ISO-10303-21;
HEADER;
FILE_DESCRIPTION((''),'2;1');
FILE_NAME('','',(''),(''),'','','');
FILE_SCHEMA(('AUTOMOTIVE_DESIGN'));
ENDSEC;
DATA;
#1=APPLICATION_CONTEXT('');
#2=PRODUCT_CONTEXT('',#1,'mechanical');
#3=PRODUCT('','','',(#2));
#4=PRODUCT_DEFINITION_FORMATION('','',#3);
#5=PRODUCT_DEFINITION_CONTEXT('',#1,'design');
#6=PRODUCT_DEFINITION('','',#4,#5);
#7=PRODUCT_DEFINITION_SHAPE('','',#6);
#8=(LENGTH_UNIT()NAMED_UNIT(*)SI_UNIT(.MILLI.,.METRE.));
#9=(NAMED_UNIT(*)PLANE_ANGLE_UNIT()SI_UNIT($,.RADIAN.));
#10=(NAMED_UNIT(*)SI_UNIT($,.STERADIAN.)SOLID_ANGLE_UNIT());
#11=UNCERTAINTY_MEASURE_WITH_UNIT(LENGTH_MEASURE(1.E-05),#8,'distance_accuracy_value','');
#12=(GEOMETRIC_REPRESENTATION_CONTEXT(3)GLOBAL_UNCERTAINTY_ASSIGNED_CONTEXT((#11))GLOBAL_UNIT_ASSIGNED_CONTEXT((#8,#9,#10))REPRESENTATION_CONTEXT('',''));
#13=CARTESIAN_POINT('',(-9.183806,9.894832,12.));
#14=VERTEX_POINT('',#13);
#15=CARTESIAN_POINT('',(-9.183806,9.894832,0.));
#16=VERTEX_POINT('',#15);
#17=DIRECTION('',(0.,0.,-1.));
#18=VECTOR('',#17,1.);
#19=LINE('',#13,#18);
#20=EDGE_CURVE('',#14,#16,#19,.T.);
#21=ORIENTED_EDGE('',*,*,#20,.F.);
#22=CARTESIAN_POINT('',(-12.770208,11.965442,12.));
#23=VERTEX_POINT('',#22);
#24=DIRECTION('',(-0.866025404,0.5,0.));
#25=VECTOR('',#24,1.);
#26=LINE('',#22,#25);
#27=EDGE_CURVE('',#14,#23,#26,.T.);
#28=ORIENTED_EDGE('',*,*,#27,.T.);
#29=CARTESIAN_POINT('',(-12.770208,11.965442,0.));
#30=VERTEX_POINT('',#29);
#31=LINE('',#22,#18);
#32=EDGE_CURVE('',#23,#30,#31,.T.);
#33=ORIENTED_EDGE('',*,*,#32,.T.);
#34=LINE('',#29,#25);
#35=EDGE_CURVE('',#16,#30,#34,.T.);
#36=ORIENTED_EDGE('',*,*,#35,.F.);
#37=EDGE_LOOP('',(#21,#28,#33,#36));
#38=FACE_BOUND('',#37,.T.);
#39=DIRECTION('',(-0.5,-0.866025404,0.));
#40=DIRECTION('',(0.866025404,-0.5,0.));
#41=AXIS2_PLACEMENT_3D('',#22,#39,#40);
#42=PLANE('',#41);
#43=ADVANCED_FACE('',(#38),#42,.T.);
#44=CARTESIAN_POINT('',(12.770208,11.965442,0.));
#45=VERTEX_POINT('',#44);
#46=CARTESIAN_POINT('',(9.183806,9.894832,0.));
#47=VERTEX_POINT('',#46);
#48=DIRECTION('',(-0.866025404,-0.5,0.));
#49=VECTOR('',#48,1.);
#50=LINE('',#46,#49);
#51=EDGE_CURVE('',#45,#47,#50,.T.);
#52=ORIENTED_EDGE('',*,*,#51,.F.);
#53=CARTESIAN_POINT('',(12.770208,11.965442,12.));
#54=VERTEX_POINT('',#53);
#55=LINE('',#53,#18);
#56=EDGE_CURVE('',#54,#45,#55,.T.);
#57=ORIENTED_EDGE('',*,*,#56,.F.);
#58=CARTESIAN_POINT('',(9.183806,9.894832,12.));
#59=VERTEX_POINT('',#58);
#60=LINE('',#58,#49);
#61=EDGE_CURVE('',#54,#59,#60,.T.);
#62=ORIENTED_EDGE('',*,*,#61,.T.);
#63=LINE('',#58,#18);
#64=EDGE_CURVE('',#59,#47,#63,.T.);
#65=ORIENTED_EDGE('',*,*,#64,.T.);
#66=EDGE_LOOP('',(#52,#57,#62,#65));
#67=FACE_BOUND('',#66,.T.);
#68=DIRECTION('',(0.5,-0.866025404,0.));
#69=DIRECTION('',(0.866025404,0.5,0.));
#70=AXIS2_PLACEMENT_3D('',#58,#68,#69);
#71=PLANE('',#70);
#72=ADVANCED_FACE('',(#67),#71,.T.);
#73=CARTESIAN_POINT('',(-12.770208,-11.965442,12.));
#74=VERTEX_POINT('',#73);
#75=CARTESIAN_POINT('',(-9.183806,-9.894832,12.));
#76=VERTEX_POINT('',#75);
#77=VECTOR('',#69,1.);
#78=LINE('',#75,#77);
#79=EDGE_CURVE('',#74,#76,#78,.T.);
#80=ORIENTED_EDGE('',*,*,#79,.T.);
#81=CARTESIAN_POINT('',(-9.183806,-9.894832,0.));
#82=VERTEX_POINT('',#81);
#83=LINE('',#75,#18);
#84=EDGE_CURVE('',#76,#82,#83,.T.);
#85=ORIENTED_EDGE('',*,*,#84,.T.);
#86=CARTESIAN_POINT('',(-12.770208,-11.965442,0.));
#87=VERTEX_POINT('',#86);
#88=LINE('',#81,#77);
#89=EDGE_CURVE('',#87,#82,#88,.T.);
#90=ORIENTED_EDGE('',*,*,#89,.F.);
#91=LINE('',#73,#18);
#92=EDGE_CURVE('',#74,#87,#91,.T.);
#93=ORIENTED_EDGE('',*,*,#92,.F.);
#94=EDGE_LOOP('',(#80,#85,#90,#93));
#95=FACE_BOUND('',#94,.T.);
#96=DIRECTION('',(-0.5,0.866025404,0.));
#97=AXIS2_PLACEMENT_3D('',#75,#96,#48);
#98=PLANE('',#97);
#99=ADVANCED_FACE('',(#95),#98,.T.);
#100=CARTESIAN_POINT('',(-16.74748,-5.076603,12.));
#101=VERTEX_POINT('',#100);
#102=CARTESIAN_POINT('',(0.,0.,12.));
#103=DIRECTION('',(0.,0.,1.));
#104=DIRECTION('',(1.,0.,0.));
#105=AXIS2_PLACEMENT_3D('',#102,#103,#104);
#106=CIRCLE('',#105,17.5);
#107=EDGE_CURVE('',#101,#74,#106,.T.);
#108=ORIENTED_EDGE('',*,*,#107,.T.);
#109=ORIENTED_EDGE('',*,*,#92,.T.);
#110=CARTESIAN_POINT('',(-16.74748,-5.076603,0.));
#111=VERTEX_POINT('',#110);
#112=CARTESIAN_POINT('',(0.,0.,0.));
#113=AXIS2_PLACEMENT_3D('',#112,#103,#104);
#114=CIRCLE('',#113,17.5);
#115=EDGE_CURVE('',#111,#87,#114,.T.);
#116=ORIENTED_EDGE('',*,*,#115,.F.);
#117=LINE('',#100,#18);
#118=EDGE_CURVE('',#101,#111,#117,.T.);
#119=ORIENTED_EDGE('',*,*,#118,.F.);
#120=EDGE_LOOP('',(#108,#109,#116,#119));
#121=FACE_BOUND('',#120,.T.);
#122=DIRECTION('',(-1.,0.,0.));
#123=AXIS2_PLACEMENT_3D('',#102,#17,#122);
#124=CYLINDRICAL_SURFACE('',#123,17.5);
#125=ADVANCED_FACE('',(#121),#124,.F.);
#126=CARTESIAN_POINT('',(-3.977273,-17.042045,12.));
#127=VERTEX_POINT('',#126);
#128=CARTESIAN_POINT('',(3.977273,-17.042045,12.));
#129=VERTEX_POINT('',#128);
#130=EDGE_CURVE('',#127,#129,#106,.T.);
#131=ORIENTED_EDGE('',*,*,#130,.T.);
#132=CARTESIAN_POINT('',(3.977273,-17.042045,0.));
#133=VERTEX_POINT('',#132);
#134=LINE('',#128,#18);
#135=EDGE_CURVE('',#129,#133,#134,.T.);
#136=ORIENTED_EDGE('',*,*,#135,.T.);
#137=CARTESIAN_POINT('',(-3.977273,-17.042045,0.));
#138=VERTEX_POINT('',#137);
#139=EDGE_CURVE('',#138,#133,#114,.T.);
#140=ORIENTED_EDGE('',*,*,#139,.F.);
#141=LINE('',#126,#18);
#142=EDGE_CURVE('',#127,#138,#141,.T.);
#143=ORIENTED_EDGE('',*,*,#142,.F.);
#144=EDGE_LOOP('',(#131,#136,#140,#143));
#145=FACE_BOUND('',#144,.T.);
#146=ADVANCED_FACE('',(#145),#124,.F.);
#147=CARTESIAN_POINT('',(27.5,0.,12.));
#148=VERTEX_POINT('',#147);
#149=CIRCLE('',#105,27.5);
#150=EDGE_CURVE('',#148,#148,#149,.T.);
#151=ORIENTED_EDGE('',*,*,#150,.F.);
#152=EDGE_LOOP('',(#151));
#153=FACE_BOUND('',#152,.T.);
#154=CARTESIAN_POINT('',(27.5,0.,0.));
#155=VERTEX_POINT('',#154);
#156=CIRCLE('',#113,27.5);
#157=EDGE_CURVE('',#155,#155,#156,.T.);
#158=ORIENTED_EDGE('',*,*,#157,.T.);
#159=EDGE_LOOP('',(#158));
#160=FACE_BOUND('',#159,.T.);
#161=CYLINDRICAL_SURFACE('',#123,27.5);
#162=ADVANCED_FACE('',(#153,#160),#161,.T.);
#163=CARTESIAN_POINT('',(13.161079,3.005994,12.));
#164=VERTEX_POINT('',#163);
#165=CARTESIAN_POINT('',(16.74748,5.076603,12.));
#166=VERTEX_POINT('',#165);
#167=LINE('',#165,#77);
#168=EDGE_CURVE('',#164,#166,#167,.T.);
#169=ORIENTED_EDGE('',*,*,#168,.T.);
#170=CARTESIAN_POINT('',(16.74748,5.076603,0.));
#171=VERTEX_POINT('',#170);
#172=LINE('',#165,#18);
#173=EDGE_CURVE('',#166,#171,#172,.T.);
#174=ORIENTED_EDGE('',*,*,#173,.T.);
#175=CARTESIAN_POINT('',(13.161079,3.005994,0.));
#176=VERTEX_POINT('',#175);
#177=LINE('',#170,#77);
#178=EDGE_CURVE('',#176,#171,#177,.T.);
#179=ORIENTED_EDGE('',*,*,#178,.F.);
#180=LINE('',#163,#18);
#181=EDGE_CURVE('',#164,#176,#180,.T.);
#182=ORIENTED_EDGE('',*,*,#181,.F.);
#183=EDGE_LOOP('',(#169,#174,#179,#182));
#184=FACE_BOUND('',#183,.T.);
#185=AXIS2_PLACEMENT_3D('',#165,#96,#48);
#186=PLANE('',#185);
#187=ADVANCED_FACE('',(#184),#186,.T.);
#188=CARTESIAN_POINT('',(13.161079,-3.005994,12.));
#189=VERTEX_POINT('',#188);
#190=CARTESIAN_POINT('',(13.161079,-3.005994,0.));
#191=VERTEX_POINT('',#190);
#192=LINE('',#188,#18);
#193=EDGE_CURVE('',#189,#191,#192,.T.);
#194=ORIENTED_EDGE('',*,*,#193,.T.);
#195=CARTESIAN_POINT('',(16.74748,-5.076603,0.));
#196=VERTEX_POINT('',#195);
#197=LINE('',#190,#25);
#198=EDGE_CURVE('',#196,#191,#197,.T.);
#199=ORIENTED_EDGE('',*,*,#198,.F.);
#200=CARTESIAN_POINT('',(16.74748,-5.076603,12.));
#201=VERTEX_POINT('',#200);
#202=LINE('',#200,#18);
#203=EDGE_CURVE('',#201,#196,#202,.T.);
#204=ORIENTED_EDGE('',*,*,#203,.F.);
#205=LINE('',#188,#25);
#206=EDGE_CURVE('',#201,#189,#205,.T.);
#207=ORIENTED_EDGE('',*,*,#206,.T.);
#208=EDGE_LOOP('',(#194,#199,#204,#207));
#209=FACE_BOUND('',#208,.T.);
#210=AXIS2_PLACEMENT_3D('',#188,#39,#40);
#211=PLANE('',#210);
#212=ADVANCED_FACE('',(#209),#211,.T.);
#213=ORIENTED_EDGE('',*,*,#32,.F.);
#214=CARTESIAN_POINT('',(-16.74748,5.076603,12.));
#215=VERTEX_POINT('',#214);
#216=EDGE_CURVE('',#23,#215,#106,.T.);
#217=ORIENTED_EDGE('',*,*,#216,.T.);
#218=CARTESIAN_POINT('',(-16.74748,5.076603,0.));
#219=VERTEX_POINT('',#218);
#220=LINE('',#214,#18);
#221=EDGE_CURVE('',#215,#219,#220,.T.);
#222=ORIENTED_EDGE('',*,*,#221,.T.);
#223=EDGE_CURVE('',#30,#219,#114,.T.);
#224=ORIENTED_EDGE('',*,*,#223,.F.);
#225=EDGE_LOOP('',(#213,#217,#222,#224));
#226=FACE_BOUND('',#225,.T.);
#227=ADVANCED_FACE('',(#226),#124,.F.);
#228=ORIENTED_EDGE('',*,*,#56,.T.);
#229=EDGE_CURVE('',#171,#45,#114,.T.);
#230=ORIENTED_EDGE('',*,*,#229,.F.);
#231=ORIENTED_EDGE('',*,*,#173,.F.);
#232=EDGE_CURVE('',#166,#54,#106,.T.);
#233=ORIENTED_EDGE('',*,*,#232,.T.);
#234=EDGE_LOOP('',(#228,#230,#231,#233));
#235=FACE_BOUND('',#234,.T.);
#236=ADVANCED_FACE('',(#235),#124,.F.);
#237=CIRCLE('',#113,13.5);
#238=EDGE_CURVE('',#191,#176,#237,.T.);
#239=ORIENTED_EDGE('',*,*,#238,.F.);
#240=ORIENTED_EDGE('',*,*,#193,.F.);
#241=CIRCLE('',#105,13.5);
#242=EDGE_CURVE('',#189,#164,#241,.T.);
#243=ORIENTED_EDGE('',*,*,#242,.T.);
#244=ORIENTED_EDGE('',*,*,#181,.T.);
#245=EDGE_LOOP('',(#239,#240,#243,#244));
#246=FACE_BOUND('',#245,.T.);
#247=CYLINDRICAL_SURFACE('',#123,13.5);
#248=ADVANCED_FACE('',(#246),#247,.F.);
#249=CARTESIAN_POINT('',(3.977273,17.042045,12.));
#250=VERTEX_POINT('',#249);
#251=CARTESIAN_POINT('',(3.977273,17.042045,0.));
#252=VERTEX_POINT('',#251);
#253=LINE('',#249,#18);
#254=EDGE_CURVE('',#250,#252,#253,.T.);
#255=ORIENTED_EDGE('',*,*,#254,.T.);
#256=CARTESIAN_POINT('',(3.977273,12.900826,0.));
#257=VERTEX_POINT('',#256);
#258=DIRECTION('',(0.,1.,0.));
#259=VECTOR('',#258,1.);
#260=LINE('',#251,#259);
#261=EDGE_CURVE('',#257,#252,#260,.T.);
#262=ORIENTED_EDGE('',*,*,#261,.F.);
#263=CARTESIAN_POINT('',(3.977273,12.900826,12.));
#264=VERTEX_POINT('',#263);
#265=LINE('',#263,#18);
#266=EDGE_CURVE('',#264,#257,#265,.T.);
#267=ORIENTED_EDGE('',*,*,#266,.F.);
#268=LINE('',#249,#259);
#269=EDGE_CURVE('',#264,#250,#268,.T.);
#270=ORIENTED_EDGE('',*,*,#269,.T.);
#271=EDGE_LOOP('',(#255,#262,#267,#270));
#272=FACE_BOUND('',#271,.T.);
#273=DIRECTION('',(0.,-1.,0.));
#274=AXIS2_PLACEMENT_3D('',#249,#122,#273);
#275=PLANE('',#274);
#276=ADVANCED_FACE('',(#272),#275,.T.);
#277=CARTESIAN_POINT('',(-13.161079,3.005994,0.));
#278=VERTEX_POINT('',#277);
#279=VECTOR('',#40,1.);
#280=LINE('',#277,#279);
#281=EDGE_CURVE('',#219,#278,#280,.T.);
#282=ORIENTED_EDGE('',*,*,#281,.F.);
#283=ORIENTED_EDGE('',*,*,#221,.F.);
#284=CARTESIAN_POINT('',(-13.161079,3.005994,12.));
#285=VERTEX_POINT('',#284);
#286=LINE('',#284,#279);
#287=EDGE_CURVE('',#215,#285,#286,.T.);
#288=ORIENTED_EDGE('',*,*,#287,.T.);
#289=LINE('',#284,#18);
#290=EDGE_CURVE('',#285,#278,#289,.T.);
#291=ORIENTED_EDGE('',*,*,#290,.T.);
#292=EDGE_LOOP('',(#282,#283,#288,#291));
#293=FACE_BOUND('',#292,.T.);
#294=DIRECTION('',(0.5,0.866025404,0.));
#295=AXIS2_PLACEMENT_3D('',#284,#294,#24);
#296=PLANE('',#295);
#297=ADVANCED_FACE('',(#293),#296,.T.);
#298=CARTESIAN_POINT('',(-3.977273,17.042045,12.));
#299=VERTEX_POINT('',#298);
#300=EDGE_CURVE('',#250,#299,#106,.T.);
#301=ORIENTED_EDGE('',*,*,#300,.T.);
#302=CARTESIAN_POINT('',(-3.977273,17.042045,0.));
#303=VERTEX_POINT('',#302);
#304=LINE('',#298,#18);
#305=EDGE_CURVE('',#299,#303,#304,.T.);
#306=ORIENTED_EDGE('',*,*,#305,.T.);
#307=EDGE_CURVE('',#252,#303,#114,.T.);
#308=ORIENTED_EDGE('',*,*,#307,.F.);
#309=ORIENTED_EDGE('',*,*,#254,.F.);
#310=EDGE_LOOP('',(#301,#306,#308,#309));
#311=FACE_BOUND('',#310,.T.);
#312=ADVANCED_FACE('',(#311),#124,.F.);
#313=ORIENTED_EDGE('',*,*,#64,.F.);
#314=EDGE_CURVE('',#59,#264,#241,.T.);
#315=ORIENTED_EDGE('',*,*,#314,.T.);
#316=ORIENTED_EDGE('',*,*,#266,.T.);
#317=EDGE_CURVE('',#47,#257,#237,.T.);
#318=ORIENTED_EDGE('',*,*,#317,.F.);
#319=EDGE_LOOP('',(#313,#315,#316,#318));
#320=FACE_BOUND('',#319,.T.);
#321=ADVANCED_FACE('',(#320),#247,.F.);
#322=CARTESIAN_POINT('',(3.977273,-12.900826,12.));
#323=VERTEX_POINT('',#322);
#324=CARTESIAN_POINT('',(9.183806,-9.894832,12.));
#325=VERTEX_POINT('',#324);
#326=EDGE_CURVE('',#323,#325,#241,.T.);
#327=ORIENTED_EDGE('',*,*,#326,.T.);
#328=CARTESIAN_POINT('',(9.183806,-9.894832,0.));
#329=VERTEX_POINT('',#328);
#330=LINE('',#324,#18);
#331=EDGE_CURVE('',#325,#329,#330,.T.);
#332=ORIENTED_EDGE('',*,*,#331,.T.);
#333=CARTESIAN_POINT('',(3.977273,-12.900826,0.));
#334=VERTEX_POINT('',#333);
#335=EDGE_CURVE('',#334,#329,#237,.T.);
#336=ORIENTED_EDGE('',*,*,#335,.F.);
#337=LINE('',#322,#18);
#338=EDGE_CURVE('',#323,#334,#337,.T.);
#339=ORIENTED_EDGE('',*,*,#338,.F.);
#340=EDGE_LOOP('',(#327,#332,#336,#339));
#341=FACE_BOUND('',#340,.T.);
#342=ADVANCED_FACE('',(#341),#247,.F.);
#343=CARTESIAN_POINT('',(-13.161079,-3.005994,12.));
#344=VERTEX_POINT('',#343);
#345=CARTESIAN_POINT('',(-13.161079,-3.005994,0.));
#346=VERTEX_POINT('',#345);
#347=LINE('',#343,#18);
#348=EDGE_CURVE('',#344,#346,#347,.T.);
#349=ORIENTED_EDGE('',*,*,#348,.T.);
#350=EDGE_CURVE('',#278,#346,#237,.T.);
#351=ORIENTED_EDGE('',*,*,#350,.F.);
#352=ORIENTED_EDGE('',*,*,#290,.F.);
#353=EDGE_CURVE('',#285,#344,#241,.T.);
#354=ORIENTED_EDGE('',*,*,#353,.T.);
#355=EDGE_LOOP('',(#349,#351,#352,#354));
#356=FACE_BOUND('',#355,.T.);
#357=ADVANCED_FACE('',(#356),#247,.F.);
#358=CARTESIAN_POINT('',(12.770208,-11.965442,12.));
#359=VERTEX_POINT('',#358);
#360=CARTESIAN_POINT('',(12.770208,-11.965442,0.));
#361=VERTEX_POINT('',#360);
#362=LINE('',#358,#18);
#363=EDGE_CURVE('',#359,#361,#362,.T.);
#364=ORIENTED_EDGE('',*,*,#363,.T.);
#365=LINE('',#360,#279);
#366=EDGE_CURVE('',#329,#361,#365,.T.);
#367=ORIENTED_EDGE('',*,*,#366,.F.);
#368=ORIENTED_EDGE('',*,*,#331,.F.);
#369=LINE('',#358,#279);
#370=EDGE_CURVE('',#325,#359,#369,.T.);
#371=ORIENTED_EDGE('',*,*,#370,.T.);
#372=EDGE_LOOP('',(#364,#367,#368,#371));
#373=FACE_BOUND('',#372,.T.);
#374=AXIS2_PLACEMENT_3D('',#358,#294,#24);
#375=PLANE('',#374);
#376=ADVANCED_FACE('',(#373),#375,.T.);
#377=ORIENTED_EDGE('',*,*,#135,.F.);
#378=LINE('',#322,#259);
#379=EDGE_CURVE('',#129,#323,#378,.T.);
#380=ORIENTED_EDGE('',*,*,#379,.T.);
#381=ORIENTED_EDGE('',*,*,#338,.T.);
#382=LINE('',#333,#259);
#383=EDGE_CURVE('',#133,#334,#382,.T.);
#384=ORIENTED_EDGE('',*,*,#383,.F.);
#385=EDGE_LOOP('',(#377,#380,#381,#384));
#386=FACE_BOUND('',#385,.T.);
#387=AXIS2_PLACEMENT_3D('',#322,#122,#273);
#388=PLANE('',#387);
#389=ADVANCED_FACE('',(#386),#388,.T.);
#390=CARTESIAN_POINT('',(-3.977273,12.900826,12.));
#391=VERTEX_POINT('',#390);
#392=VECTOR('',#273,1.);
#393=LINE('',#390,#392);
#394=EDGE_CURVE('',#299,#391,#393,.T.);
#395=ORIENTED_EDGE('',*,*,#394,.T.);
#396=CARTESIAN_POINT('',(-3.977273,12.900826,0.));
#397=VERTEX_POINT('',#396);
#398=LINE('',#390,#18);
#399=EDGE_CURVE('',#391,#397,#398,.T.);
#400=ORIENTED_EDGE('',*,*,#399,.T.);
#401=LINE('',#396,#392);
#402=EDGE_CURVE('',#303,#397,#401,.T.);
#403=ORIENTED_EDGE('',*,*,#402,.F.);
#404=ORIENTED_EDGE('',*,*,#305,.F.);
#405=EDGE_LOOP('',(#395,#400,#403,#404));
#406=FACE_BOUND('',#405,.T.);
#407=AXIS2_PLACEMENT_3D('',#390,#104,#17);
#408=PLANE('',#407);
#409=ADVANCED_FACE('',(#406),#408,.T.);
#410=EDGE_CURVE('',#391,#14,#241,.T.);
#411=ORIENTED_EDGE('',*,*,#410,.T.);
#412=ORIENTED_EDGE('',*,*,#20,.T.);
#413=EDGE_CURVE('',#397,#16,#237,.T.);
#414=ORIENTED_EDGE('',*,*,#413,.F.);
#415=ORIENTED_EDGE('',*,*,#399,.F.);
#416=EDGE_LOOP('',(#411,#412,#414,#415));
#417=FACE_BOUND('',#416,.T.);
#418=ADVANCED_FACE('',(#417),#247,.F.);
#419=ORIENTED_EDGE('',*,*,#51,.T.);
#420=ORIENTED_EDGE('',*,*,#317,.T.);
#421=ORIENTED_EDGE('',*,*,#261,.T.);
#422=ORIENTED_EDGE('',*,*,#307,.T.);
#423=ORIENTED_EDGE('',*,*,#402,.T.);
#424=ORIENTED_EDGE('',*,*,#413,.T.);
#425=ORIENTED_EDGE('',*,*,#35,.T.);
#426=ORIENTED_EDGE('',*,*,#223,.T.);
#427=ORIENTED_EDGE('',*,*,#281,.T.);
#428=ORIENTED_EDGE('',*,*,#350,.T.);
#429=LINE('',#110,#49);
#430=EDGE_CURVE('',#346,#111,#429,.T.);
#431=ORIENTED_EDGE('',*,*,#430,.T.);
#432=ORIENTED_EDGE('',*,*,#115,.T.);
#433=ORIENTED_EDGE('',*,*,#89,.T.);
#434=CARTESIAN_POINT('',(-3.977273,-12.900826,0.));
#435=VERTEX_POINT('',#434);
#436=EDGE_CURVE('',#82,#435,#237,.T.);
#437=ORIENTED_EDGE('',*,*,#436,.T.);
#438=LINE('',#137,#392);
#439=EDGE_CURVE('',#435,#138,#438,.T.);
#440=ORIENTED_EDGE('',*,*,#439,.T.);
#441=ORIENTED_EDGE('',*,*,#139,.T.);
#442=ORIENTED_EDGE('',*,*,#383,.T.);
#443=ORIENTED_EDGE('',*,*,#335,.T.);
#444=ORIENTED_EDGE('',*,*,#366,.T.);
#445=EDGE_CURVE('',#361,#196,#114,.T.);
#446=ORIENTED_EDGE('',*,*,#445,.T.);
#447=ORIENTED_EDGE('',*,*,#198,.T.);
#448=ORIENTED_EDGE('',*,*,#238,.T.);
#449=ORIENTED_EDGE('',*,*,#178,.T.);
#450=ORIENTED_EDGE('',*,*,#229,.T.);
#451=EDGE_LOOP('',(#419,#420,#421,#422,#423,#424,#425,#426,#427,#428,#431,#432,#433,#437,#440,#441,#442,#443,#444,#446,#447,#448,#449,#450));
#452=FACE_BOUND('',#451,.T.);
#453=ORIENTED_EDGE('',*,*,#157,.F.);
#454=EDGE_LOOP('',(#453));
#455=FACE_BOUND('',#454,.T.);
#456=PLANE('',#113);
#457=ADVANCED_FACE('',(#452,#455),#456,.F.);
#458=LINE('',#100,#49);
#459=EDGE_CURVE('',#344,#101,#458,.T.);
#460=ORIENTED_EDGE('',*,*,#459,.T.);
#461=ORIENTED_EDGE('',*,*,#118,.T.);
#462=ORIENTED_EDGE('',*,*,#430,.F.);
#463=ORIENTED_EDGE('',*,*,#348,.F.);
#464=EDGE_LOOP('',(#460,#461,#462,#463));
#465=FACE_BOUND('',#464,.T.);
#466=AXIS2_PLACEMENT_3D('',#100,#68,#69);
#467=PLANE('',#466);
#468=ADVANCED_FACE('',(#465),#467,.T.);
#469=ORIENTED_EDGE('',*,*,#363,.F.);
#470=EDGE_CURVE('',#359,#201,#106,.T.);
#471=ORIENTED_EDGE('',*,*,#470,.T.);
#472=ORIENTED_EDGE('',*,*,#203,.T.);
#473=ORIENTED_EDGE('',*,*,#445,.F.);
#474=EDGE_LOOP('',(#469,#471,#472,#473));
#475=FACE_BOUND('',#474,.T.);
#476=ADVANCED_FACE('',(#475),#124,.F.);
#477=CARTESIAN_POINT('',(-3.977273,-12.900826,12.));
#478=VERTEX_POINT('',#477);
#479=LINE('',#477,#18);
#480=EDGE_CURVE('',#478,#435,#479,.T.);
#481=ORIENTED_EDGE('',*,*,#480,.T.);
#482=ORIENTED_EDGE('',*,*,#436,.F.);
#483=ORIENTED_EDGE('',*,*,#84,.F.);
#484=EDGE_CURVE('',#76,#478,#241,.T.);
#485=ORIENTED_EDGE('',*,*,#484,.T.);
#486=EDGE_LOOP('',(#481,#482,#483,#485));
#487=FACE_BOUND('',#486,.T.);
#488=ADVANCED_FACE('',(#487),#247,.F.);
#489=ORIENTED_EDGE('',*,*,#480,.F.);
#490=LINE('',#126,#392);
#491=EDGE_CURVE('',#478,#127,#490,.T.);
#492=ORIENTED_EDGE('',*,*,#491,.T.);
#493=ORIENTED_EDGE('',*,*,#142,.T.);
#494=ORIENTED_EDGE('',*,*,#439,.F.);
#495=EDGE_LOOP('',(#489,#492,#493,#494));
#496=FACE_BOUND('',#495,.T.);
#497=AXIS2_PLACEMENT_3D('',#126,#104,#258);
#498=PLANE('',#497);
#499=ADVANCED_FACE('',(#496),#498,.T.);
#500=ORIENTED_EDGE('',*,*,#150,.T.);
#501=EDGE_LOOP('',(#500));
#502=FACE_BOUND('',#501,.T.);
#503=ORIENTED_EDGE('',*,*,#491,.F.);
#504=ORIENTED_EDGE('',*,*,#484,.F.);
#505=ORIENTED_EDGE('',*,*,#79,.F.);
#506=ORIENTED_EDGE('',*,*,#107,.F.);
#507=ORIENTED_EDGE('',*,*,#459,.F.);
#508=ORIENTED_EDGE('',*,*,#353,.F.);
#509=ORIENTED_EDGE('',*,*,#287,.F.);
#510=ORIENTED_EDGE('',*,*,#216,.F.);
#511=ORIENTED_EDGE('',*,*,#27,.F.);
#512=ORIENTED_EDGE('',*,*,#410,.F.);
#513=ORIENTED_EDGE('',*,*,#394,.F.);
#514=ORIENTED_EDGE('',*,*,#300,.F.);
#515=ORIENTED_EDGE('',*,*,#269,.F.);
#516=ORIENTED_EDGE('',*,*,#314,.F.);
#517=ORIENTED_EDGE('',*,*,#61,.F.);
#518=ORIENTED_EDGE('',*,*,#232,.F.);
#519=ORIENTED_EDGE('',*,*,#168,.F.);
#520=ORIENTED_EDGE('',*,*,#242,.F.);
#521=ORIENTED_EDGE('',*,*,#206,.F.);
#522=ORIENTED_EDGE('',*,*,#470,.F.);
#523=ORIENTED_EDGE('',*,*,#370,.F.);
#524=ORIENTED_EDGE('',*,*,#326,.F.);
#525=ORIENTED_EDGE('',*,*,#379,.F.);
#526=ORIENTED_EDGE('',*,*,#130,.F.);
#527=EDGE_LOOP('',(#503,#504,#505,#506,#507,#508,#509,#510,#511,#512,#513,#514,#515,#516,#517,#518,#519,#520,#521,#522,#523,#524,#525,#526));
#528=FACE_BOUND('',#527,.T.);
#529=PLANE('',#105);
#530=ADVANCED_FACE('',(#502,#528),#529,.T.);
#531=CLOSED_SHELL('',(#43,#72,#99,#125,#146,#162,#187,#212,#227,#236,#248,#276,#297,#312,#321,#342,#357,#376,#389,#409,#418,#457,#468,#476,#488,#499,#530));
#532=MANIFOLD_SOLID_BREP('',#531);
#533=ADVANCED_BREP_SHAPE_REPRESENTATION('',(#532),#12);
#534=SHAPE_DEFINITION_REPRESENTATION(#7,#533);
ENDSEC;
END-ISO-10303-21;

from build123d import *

# Parameters (mm, degrees)
SKETCH1_R           = 27.5
BOSS_EXTRUDE1_DEPTH = 12


with BuildPart() as part:
    # Sketch1 → Boss-Extrude1 (new body)
    with BuildSketch(Plane.XY):
        Circle(SKETCH1_R)
        with BuildLine():
            Line((-3.977272727, 12.900825619), (-3.977272727, 17.042045114))
            ThreePointArc((-3.977272727, 17.042045114), (0, 17.5), (3.977272727, 17.042045114))
            Line((3.977272727, 17.042045114), (3.977272727, 12.900825619))
            ThreePointArc((3.977272727, 12.900825619), (6.75, 11.691342951), (9.183806352, 9.894832029))
            Line((9.183806352, 9.894832029), (12.770207637, 11.965441776))
            ThreePointArc((12.770207637, 11.965441776), (15.155444566, 8.75), (16.747480364, 5.076603337))
            Line((16.747480364, 5.076603337), (13.16107908, 3.00599359))
            ThreePointArc((13.16107908, 3.00599359), (13.5, 0), (13.16107908, -3.00599359))
            Line((13.16107908, -3.00599359), (16.747480364, -5.076603337))
            ThreePointArc((16.747480364, -5.076603337), (15.155444566, -8.75), (12.770207637, -11.965441776))
            Line((12.770207637, -11.965441776), (9.183806352, -9.894832029))
            ThreePointArc((9.183806352, -9.894832029), (6.75, -11.691342951), (3.977272727, -12.900825619))
            Line((3.977272727, -12.900825619), (3.977272727, -17.042045114))
            ThreePointArc((3.977272727, -17.042045114), (0, -17.5), (-3.977272727, -17.042045114))
            Line((-3.977272727, -17.042045114), (-3.977272727, -12.900825619))
            ThreePointArc((-3.977272727, -12.900825619), (-6.75, -11.691342951), (-9.183806352, -9.894832029))
            Line((-9.183806352, -9.894832029), (-12.770207637, -11.965441776))
            ThreePointArc((-12.770207637, -11.965441776), (-15.155444566, -8.75), (-16.747480364, -5.076603337))
            Line((-16.747480364, -5.076603337), (-13.16107908, -3.00599359))
            ThreePointArc((-13.16107908, -3.00599359), (-13.5, 0), (-13.16107908, 3.00599359))
            Line((-13.16107908, 3.00599359), (-16.747480364, 5.076603337))
            ThreePointArc((-16.747480364, 5.076603337), (-15.155444566, 8.75), (-12.770207637, 11.965441776))
            Line((-12.770207637, 11.965441776), (-9.183806352, 9.894832029))
            ThreePointArc((-9.183806352, 9.894832029), (-6.75, 11.691342951), (-3.977272727, 12.900825619))
        make_face(mode=Mode.SUBTRACT)
    extrude(amount=BOSS_EXTRUDE1_DEPTH)


solid = part.part
